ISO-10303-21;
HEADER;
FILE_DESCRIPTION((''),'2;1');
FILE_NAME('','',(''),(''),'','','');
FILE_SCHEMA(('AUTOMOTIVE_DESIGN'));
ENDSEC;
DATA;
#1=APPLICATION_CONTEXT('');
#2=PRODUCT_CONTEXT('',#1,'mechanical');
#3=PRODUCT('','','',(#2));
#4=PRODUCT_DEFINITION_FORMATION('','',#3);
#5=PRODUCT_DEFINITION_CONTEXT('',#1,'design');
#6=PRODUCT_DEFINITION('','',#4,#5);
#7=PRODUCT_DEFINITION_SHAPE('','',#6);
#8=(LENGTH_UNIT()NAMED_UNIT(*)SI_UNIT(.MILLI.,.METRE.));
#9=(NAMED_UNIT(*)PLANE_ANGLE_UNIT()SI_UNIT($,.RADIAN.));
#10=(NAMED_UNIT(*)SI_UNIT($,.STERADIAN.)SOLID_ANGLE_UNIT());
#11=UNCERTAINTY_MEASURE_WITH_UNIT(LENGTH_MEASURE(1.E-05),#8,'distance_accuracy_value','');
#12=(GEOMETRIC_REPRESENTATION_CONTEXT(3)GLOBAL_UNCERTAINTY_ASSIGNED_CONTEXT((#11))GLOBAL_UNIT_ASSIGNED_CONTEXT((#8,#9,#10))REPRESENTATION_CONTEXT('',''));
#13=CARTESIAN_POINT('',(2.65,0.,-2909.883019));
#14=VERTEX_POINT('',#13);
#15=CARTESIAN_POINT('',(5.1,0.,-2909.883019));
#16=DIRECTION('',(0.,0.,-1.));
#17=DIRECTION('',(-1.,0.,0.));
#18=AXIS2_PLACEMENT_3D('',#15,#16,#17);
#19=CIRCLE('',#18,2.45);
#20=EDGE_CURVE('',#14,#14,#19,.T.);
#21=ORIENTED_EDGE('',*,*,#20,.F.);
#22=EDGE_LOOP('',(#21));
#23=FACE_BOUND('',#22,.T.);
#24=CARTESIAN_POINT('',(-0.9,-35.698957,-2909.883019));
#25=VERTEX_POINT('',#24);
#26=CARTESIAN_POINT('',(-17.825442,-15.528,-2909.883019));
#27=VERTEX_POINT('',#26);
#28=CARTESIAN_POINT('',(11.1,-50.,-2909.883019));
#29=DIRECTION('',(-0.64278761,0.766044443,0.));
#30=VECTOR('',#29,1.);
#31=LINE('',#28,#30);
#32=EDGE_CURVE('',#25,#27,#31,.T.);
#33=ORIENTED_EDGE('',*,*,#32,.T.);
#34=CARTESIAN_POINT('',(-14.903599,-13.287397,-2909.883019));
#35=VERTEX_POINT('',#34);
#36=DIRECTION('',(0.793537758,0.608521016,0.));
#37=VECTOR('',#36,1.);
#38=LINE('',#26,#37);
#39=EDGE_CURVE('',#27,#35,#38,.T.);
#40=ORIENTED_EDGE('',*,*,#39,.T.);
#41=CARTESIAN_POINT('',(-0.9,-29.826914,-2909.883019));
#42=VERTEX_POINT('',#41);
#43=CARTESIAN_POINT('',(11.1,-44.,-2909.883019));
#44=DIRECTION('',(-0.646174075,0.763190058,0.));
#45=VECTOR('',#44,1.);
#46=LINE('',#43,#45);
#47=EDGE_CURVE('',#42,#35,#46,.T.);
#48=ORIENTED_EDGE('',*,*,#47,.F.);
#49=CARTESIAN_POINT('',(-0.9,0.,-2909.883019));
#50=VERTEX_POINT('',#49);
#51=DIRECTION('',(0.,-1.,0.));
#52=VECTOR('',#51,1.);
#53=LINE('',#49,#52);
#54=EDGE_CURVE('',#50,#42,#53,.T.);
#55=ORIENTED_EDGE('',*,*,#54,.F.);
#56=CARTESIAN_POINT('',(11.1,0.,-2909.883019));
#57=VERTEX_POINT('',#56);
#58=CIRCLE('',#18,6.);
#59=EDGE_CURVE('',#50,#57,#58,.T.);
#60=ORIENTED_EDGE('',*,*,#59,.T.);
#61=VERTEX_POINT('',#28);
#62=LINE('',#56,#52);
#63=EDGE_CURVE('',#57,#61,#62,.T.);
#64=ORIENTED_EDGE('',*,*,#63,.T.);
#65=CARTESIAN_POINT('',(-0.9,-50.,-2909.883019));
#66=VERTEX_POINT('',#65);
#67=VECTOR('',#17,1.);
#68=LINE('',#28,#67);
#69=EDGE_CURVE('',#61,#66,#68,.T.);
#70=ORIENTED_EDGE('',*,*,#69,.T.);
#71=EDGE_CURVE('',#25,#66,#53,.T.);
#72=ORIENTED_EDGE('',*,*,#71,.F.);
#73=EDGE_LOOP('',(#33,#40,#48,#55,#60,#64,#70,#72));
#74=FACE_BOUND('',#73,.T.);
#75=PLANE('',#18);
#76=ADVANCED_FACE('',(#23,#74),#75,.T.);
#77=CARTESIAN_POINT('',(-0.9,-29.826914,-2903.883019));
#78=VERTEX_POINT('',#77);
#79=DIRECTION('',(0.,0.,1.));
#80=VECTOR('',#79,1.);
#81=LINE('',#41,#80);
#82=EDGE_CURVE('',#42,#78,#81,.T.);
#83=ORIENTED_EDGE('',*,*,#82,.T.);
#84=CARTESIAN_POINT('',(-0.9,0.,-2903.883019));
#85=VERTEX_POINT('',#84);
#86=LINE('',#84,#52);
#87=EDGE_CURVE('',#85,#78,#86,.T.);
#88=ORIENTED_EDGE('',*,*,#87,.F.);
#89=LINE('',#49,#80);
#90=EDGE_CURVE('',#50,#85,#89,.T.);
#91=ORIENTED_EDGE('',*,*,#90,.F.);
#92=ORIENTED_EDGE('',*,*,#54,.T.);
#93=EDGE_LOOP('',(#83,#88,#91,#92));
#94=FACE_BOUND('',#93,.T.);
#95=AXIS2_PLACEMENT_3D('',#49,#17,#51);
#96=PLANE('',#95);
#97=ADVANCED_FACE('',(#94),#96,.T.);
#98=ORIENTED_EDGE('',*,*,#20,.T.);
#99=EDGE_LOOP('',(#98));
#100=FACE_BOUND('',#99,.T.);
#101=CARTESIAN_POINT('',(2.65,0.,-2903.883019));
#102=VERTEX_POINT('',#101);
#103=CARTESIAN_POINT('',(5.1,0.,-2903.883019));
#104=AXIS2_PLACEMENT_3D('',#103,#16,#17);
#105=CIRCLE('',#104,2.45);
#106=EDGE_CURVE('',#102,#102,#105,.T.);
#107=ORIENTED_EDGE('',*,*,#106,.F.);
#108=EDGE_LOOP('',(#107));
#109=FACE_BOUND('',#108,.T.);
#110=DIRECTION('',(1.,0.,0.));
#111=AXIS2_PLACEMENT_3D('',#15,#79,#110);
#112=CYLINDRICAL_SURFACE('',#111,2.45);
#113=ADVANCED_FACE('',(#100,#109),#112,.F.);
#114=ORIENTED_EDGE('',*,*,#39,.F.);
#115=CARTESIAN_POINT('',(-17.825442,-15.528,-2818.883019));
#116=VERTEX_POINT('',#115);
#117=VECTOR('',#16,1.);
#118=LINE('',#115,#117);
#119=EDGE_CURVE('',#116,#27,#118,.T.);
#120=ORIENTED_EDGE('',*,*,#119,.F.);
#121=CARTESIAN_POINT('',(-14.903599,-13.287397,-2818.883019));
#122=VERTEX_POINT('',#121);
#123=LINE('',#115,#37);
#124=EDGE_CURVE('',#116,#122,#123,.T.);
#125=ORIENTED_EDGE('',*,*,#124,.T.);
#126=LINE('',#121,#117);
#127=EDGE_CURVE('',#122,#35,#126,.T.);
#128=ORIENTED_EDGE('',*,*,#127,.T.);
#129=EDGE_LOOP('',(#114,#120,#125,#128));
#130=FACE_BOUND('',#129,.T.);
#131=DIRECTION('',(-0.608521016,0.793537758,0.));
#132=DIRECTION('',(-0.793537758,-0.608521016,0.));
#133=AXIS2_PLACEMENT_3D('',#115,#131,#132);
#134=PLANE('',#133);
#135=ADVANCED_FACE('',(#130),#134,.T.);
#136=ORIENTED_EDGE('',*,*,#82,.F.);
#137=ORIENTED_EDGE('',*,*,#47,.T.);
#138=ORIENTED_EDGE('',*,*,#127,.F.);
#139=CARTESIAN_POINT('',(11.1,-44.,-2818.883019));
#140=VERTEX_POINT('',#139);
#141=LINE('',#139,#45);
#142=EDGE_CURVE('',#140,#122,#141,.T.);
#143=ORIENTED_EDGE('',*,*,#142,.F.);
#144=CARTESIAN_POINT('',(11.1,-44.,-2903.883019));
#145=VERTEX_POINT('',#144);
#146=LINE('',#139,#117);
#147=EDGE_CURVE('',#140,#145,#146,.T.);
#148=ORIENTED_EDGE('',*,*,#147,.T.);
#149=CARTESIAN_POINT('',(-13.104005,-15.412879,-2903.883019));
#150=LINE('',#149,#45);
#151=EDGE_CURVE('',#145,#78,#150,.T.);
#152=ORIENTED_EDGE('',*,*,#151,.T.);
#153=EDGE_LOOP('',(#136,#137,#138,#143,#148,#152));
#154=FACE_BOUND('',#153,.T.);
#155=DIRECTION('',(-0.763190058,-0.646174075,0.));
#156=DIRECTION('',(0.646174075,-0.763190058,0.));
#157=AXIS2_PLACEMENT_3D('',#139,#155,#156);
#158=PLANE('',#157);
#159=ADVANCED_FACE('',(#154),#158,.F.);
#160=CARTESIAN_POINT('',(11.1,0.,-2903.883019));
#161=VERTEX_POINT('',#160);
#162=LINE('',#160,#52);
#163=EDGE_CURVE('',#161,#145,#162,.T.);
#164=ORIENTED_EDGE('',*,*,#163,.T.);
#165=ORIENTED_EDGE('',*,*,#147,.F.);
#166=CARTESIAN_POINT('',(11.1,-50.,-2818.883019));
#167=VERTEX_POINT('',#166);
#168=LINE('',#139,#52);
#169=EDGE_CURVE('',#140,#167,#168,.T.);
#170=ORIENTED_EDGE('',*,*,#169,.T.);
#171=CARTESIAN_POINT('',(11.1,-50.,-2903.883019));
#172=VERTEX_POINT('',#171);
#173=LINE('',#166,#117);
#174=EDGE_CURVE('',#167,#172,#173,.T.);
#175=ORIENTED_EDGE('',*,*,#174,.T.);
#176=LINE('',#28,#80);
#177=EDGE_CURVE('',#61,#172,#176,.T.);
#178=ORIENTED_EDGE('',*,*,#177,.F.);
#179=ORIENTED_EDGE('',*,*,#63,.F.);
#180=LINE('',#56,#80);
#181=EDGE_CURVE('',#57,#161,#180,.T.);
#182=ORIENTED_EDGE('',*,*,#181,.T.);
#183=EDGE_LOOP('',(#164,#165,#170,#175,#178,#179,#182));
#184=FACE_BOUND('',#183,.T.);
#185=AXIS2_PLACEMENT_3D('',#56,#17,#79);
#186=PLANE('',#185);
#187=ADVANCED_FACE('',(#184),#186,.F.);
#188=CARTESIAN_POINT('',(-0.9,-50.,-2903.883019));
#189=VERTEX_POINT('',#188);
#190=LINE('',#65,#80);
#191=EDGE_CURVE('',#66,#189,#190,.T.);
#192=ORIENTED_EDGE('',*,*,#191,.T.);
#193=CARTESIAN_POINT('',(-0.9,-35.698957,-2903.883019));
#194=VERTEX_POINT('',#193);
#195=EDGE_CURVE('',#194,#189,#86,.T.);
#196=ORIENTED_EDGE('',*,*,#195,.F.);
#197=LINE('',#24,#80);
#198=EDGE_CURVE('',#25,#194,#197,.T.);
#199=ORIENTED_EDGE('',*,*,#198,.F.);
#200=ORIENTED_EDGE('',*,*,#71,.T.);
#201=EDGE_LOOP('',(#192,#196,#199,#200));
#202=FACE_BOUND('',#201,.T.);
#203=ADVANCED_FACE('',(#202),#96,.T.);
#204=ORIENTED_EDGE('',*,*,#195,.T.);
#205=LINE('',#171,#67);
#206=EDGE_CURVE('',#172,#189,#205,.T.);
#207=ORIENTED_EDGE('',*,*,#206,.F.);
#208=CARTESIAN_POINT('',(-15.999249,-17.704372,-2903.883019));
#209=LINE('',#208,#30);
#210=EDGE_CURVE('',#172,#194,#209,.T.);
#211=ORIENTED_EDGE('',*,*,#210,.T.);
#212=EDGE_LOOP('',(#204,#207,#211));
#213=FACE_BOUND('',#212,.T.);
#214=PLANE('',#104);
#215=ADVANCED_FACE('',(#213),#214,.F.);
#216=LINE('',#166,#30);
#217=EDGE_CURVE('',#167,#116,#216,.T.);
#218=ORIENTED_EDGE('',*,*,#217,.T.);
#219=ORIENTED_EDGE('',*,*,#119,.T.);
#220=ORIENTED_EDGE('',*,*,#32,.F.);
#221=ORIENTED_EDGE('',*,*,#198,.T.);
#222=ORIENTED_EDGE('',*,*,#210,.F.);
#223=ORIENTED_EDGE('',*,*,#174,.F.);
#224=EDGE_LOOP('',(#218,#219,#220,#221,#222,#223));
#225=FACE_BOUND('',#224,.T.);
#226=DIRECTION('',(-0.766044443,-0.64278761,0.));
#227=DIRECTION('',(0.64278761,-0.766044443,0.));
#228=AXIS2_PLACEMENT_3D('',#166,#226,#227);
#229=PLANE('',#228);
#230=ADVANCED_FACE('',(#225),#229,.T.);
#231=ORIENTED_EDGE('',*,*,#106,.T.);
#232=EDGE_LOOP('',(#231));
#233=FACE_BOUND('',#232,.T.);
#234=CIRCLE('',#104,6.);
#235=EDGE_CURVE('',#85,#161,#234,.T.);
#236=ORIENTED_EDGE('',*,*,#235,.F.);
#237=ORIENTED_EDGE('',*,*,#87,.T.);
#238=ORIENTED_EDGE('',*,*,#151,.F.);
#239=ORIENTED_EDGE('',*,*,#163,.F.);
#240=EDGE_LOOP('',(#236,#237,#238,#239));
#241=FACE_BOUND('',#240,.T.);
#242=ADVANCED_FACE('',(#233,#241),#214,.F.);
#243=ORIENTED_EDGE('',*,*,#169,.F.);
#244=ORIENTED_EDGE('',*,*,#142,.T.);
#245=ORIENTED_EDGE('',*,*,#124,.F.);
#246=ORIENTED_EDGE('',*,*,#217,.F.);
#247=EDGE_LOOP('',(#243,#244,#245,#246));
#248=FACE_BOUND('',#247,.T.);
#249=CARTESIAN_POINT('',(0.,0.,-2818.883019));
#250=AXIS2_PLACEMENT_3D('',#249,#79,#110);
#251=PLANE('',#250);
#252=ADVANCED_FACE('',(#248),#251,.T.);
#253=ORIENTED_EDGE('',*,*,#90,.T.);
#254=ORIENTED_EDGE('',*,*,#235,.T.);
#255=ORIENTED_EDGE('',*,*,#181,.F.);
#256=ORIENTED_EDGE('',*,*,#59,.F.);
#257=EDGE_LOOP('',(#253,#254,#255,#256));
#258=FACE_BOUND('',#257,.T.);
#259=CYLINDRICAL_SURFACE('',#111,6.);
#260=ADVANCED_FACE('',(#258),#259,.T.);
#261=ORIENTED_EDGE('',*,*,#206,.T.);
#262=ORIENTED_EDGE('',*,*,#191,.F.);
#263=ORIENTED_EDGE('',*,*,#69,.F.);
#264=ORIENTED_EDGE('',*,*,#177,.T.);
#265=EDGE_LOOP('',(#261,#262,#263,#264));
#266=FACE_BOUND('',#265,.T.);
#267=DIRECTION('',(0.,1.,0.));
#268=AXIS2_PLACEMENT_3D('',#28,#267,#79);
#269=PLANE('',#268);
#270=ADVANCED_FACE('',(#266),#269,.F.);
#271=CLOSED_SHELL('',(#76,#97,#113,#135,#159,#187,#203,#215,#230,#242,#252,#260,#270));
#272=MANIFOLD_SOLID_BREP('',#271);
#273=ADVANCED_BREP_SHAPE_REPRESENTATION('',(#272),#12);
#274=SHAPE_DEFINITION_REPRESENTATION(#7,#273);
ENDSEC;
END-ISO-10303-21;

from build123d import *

# Parameters (mm, degrees)
CROQUIS2_R              = 2.45
SALIENTE_EXTRUIR1_DEPTH = 6
SALIENTE_EXTRUIR2_DEPTH = 91
CORTAR_EXTRUIR1_DEPTH   = 91


with BuildPart() as part:
    # Croquis2 → Saliente-Extruir1 (new body)
    with BuildSketch(Plane(origin=(0, 0, -2903.883018812), x_dir=(-1, 0, 0), z_dir=(0, 0, -1))):
        with BuildLine():
            Line((-11.1, 0), (-11.1, -50))
            Line((-11.1, -50), (0.9, -50))
            Line((0.9, -50), (0.9, 0))
            ThreePointArc((0.9, 0), (-5.1, 6), (-11.1, 0))
        make_face()
        with Locations((-5.1, 0)):
            Circle(CROQUIS2_R, mode=Mode.SUBTRACT)
    extrude(amount=SALIENTE_EXTRUIR1_DEPTH)

    # Croquis3 → Saliente-Extruir2 (add)
    with BuildSketch(Plane(origin=(0, 0, -2909.883018812), x_dir=(-1, 0, 0), z_dir=(0, 0, -1))):
        Polygon((-11.1, -50), (17.825442436, -15.52800006), (14.903598687, -13.287396749), (-11.1, -44), align=None)
    extrude(amount=-SALIENTE_EXTRUIR2_DEPTH)

    # Croquis4 → Cortar-Extruir1 (cut)
    with BuildSketch(Plane(origin=(0, 0, -2909.883018812), x_dir=(-1, 0, 0), z_dir=(0, 0, -1))):
        Polygon((0.9, -35.698956889), (-11.1, -50), (-9.748210825, -87.200753785), (4.844427823, -87.200753785), (-12.615201312, -51.805746607), align=None)
    extrude(amount=-CORTAR_EXTRUIR1_DEPTH, mode=Mode.SUBTRACT)


solid = part.part
